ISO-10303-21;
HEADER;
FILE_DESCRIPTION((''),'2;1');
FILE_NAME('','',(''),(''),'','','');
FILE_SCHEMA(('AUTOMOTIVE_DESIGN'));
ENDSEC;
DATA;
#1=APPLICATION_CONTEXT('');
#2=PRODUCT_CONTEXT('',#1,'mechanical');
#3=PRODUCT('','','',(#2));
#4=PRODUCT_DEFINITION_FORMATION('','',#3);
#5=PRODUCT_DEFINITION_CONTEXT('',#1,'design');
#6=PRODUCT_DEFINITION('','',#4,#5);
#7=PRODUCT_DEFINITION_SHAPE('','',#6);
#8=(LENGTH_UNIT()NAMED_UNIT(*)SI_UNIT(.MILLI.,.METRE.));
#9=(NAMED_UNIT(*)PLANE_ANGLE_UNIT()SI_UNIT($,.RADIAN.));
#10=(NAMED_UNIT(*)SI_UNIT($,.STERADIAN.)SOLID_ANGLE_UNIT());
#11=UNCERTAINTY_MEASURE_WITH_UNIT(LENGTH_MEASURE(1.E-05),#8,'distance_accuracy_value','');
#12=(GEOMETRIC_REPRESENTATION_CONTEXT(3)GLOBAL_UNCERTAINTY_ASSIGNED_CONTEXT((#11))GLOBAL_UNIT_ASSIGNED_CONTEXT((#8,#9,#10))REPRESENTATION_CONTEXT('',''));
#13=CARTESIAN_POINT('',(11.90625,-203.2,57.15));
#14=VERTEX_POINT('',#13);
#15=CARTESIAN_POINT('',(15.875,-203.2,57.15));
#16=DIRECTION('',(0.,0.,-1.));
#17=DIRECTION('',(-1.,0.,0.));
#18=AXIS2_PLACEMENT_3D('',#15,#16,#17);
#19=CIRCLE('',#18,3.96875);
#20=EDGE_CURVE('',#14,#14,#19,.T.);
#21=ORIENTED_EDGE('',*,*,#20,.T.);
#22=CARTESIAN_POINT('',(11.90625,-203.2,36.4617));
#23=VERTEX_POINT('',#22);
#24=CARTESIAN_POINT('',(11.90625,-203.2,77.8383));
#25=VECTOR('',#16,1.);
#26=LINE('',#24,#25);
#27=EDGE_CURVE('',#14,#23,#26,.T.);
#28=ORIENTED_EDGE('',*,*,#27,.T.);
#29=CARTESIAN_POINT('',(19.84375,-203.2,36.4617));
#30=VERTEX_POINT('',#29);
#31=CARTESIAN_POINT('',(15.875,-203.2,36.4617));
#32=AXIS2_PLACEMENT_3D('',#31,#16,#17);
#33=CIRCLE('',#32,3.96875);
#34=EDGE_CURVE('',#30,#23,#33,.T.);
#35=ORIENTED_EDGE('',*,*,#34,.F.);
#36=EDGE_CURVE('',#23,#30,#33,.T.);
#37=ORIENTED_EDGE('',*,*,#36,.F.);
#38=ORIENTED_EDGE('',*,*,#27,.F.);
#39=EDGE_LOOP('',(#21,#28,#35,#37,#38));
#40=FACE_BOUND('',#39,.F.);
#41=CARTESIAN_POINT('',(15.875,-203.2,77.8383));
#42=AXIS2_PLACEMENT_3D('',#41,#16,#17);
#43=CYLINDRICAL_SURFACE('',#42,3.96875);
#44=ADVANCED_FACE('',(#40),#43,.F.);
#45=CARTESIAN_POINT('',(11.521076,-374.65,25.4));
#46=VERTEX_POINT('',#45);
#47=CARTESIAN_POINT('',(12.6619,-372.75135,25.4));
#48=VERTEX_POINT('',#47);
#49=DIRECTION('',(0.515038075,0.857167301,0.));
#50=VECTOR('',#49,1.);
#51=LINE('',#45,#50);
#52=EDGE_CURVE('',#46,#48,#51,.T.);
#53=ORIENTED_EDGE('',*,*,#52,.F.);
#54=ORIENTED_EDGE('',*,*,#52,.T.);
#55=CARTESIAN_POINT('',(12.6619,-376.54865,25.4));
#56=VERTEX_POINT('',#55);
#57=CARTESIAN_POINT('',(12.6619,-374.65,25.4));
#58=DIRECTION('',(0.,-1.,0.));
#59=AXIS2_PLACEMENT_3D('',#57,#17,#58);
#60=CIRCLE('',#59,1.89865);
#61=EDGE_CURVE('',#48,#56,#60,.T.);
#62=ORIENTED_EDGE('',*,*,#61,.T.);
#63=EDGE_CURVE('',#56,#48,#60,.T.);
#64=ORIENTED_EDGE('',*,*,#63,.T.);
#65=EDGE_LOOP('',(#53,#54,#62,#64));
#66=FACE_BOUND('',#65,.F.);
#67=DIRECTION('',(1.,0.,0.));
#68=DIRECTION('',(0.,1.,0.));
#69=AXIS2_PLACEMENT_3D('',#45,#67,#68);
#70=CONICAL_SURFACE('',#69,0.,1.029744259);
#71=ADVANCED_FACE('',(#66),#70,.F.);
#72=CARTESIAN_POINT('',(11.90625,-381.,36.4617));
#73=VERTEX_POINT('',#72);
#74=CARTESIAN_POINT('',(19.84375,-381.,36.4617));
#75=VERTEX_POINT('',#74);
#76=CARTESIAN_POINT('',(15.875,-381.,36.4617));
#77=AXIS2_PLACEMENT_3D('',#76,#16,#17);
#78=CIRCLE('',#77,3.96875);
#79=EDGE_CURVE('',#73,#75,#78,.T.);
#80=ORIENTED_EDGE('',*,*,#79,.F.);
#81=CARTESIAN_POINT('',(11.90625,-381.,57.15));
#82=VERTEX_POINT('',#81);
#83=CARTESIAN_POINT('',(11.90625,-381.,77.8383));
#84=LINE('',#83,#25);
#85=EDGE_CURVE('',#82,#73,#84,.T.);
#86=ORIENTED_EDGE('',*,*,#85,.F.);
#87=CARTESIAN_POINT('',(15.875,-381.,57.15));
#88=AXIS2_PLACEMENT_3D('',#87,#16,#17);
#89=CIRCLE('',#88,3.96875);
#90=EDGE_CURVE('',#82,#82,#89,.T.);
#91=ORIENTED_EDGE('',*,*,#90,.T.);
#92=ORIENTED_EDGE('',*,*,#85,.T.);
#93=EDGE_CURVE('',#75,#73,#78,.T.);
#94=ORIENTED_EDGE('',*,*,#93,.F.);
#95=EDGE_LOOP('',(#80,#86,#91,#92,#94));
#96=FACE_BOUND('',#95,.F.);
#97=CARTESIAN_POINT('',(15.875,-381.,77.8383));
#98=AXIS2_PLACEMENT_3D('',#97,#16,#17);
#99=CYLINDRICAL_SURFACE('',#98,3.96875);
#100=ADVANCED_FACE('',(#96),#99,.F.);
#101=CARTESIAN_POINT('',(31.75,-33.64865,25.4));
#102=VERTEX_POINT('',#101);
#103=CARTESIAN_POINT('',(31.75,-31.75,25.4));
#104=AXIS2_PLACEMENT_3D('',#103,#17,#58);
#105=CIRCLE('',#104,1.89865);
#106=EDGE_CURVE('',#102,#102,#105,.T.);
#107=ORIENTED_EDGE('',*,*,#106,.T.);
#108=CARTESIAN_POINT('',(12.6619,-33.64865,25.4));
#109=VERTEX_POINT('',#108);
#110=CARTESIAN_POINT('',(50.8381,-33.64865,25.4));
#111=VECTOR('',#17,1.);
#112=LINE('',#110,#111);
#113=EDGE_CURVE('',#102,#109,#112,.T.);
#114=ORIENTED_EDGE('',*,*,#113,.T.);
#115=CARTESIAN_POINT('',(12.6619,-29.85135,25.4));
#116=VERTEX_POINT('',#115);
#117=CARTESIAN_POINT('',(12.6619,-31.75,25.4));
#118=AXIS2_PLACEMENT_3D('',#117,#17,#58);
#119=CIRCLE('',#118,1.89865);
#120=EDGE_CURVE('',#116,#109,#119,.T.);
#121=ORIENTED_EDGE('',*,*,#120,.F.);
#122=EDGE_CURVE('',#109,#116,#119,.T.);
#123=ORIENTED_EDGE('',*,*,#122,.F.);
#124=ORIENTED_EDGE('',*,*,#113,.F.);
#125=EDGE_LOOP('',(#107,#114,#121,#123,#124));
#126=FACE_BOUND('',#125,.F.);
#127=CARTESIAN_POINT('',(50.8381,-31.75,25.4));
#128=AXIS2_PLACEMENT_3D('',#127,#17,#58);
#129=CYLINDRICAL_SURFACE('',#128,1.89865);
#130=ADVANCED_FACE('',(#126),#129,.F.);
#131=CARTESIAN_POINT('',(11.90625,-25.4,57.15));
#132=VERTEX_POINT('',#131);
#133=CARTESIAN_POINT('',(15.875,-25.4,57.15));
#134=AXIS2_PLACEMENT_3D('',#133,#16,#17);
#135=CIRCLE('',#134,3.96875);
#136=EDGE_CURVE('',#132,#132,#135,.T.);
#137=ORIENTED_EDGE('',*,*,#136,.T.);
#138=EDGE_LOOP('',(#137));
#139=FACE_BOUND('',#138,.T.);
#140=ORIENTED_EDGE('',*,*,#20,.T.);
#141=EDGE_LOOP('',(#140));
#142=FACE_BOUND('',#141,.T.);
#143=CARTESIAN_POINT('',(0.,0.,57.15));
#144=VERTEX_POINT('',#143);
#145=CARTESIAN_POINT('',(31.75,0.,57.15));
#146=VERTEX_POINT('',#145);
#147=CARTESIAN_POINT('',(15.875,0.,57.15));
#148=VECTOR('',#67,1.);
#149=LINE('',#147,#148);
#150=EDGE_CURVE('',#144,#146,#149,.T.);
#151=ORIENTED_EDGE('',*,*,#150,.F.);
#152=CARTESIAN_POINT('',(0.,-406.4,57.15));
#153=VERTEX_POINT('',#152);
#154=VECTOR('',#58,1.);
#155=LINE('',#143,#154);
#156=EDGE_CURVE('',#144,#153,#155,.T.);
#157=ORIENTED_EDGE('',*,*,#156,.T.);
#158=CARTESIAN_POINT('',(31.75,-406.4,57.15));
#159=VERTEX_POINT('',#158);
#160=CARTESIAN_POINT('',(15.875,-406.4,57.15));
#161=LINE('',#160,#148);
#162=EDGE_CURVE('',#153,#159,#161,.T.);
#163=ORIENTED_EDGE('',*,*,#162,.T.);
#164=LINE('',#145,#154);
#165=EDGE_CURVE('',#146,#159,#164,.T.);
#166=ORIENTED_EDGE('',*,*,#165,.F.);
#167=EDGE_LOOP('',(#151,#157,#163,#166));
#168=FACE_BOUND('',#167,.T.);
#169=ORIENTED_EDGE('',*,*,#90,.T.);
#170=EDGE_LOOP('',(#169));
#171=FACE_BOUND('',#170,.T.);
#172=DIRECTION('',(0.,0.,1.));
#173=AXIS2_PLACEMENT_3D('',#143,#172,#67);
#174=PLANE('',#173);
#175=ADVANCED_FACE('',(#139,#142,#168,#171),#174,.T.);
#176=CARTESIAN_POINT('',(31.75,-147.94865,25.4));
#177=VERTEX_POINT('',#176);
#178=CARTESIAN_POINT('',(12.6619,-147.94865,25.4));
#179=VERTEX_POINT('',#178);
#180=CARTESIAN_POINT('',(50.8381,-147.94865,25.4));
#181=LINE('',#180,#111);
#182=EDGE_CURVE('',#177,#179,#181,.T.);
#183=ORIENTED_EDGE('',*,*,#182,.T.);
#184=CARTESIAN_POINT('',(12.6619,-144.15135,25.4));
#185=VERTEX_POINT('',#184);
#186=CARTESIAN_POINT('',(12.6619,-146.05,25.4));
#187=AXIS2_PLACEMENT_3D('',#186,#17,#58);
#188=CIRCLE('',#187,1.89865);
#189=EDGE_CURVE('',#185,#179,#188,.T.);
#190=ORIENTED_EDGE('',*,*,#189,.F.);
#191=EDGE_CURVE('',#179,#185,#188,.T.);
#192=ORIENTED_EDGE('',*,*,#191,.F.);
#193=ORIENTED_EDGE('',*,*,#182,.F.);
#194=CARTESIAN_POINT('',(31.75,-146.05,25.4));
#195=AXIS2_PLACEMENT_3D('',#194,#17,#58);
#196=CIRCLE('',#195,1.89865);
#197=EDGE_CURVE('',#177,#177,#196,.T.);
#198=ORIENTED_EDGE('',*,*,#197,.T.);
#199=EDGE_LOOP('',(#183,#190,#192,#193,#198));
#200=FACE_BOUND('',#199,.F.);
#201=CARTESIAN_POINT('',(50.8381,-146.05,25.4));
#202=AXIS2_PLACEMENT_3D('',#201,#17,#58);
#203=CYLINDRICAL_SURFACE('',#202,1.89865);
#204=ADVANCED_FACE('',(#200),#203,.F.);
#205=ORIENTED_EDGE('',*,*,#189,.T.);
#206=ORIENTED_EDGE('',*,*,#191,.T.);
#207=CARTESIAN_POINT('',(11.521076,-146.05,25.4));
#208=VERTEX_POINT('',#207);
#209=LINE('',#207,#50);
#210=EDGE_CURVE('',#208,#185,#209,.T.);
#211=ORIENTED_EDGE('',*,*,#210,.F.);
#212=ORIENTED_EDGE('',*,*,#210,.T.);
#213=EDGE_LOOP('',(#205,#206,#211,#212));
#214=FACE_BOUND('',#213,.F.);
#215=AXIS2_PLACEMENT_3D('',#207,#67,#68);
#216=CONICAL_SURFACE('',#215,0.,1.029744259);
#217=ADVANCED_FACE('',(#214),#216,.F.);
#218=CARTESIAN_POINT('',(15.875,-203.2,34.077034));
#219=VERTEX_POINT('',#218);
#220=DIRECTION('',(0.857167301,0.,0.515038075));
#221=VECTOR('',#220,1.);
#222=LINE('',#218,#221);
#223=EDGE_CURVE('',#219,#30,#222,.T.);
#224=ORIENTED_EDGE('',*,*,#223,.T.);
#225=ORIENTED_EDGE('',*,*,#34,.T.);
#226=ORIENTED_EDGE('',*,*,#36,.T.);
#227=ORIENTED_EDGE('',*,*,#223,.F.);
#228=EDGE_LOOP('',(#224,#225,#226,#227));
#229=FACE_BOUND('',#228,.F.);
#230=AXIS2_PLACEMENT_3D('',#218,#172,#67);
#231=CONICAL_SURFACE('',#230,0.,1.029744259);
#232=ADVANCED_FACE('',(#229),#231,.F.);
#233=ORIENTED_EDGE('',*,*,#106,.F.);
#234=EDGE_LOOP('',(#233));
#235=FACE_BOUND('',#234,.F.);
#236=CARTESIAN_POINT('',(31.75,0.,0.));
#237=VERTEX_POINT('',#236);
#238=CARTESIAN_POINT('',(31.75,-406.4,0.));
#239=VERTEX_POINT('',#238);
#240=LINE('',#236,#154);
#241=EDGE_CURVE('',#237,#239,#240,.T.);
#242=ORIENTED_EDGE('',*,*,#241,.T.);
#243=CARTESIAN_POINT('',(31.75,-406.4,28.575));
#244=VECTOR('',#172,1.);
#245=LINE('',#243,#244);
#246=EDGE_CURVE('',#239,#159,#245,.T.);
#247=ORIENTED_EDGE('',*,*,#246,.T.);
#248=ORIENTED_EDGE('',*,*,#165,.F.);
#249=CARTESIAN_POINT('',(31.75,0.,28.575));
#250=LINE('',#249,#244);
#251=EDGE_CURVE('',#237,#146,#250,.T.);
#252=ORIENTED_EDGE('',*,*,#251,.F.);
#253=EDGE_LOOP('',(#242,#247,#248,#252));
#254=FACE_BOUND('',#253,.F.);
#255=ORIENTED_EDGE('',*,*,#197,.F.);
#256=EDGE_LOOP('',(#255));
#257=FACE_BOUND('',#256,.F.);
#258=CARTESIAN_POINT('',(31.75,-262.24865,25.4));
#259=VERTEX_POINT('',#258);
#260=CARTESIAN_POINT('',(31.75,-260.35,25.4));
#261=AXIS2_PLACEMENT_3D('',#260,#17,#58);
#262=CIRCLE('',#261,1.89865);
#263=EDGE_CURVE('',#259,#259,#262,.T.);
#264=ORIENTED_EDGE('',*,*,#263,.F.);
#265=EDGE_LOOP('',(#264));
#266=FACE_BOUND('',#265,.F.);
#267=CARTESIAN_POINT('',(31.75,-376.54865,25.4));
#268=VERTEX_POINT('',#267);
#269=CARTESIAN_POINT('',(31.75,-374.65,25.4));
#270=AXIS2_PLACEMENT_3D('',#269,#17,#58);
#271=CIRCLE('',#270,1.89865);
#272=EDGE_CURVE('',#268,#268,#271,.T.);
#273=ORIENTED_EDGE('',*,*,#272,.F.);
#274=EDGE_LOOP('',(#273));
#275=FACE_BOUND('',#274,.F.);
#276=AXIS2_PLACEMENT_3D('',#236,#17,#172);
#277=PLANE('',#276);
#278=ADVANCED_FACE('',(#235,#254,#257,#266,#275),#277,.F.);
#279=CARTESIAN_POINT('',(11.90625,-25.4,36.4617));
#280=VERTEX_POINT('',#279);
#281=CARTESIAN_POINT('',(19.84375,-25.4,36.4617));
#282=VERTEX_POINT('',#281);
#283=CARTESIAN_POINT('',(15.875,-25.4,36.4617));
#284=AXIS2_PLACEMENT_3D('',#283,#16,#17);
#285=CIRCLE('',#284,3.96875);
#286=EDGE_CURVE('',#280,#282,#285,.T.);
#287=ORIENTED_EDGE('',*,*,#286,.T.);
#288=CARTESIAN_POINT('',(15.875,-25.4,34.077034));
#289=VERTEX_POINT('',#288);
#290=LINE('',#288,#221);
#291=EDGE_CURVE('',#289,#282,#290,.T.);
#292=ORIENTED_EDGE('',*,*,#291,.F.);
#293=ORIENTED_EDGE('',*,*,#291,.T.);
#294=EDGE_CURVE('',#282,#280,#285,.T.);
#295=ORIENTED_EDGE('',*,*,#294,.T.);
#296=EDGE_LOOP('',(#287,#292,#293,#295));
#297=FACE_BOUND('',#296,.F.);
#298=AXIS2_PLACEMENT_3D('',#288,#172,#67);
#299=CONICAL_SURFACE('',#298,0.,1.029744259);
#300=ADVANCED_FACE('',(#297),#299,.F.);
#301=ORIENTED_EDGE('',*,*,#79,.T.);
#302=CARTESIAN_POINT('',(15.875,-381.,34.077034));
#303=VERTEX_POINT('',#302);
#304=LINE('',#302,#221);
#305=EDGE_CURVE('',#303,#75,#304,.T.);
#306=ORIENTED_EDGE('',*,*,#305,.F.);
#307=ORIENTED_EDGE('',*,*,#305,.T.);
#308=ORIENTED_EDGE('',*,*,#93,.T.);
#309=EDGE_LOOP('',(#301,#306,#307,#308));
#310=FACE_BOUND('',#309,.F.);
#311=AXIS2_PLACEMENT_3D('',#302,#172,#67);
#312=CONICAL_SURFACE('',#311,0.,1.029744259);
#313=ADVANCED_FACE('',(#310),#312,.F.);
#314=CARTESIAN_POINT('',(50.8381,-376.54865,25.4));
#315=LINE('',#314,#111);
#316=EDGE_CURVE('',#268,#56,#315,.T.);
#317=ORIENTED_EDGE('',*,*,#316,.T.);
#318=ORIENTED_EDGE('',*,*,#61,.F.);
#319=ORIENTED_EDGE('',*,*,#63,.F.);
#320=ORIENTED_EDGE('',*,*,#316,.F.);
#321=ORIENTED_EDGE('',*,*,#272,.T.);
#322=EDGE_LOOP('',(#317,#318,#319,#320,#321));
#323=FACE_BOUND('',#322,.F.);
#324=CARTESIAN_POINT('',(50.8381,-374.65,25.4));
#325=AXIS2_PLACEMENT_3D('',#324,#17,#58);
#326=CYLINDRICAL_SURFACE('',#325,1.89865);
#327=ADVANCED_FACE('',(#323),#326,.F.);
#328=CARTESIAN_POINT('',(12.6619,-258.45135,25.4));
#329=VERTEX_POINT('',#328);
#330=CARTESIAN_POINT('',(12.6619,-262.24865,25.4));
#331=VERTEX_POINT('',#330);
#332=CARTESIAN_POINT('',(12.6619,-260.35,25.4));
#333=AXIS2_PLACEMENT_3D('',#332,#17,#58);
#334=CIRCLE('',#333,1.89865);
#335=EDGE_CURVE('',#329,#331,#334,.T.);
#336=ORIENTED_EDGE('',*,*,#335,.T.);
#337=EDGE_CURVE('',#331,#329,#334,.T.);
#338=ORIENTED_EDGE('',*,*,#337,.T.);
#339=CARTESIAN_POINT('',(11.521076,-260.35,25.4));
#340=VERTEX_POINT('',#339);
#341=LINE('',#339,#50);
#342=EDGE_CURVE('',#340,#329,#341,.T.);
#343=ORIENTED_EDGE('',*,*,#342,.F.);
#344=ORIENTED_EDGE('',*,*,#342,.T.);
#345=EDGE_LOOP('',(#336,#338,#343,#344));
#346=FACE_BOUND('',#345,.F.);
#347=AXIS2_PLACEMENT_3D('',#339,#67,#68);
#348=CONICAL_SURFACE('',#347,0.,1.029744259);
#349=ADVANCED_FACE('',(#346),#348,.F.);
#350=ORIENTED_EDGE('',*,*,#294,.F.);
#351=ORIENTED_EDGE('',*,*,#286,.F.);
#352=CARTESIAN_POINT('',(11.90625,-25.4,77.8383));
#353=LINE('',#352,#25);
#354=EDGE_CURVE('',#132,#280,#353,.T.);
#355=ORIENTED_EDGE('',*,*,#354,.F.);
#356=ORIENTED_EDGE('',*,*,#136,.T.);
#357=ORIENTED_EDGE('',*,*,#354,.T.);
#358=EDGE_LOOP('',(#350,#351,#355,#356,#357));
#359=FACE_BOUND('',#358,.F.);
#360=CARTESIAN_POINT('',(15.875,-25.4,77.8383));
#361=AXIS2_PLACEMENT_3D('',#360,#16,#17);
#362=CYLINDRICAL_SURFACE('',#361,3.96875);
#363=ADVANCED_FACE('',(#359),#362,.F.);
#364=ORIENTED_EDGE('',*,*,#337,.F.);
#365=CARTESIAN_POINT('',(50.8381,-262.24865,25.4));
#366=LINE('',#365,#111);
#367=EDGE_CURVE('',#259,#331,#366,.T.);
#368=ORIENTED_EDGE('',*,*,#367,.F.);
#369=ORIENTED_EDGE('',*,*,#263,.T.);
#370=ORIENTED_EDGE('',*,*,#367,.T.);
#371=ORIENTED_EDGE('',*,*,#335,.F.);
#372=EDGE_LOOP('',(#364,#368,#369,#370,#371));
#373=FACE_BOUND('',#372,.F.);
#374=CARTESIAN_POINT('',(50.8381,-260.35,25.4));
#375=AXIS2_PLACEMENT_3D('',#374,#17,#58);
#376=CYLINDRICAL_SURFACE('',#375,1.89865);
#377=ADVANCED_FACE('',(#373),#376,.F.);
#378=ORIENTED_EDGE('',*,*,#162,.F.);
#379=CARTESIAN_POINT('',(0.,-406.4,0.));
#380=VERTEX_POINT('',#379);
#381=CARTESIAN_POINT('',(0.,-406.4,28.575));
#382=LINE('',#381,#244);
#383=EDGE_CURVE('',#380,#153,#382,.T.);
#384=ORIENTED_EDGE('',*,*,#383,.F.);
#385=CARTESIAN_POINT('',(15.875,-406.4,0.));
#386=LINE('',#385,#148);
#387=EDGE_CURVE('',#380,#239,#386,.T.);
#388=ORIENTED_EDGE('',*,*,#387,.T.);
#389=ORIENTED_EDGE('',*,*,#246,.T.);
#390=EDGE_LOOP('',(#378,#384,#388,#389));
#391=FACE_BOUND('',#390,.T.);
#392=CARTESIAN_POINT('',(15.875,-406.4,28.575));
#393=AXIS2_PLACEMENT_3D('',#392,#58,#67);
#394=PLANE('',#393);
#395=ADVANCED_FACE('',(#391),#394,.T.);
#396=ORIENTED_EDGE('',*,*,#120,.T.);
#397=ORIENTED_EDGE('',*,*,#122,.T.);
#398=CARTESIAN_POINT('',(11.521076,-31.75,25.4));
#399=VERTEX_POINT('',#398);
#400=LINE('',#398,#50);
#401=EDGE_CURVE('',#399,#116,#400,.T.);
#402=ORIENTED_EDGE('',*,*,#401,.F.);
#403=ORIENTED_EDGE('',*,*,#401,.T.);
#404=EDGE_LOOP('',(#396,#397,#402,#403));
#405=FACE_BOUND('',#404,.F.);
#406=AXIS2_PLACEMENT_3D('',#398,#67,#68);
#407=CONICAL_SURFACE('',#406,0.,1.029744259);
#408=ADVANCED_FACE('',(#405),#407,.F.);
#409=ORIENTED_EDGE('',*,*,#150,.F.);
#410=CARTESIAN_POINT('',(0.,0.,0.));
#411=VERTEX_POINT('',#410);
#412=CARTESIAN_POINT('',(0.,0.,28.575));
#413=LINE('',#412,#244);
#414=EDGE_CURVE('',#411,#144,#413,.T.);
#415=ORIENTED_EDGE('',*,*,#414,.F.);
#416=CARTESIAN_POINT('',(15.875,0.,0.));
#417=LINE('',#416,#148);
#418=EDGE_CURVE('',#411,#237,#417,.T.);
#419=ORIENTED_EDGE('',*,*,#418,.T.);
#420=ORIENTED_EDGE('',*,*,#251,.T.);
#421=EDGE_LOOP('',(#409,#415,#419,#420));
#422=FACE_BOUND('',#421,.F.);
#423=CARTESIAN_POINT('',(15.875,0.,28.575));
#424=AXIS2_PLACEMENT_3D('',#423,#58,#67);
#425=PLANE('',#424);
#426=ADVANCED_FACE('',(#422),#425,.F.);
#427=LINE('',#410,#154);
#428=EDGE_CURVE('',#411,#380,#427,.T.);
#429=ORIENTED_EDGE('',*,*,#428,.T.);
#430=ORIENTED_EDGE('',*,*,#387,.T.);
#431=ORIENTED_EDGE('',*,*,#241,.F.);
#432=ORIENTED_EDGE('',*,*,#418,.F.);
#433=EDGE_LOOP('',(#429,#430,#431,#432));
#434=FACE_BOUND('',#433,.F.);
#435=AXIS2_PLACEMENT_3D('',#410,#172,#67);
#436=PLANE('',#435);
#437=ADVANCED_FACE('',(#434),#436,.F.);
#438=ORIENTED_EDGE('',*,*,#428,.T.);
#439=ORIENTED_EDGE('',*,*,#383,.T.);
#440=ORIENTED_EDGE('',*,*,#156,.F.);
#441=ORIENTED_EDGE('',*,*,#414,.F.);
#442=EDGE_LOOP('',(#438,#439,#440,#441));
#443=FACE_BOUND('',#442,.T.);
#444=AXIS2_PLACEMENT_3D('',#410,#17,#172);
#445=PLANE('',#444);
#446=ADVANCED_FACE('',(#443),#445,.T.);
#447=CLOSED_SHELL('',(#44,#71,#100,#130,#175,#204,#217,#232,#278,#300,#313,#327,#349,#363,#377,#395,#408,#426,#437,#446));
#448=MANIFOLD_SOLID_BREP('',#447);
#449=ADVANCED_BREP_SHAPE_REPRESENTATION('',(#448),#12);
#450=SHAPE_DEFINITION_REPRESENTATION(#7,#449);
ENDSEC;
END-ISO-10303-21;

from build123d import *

# Parameters (mm, degrees)
F0_W     = 31.75
F0_H     = 57.15
F1_DEPTH = 406.4
F4_D     = 7.9375
F4_DEPTH = 20.6883
F4_TIP   = 2.3846655818
F5_D     = 3.7973
F5_DEPTH = 19.0881
F5_TIP   = 1.1408240143


with BuildPart() as f1:
    # F0 (on Front) → F1 (new body)
    with BuildSketch(Plane.XZ):
        with Locations((15.875, 28.575)):
            Rectangle(F0_W, F0_H)
    extrude(amount=F1_DEPTH)

    # F4
    with Locations(Plane.XY.offset(57.15)):
        with Locations((15.875, -381), (15.875, -203.2), (15.875, -25.4)):
            Hole(F4_D / 2, depth=F4_DEPTH)
            with Locations((0, 0, -(F4_DEPTH + F4_TIP / 2))):  # 118° drill point
                Cone(0, F4_D / 2, F4_TIP, mode=Mode.SUBTRACT)

    # F5
    with Locations(Plane.YZ.offset(31.75)):
        with Locations((-374.65, 25.4), (-146.05, 25.4), (-31.75, 25.4), (-260.35, 25.4)):
            Hole(F5_D / 2, depth=F5_DEPTH)
            with Locations((0, 0, -(F5_DEPTH + F5_TIP / 2))):  # 118° drill point
                Cone(0, F5_D / 2, F5_TIP, mode=Mode.SUBTRACT)


solid = f1.part
